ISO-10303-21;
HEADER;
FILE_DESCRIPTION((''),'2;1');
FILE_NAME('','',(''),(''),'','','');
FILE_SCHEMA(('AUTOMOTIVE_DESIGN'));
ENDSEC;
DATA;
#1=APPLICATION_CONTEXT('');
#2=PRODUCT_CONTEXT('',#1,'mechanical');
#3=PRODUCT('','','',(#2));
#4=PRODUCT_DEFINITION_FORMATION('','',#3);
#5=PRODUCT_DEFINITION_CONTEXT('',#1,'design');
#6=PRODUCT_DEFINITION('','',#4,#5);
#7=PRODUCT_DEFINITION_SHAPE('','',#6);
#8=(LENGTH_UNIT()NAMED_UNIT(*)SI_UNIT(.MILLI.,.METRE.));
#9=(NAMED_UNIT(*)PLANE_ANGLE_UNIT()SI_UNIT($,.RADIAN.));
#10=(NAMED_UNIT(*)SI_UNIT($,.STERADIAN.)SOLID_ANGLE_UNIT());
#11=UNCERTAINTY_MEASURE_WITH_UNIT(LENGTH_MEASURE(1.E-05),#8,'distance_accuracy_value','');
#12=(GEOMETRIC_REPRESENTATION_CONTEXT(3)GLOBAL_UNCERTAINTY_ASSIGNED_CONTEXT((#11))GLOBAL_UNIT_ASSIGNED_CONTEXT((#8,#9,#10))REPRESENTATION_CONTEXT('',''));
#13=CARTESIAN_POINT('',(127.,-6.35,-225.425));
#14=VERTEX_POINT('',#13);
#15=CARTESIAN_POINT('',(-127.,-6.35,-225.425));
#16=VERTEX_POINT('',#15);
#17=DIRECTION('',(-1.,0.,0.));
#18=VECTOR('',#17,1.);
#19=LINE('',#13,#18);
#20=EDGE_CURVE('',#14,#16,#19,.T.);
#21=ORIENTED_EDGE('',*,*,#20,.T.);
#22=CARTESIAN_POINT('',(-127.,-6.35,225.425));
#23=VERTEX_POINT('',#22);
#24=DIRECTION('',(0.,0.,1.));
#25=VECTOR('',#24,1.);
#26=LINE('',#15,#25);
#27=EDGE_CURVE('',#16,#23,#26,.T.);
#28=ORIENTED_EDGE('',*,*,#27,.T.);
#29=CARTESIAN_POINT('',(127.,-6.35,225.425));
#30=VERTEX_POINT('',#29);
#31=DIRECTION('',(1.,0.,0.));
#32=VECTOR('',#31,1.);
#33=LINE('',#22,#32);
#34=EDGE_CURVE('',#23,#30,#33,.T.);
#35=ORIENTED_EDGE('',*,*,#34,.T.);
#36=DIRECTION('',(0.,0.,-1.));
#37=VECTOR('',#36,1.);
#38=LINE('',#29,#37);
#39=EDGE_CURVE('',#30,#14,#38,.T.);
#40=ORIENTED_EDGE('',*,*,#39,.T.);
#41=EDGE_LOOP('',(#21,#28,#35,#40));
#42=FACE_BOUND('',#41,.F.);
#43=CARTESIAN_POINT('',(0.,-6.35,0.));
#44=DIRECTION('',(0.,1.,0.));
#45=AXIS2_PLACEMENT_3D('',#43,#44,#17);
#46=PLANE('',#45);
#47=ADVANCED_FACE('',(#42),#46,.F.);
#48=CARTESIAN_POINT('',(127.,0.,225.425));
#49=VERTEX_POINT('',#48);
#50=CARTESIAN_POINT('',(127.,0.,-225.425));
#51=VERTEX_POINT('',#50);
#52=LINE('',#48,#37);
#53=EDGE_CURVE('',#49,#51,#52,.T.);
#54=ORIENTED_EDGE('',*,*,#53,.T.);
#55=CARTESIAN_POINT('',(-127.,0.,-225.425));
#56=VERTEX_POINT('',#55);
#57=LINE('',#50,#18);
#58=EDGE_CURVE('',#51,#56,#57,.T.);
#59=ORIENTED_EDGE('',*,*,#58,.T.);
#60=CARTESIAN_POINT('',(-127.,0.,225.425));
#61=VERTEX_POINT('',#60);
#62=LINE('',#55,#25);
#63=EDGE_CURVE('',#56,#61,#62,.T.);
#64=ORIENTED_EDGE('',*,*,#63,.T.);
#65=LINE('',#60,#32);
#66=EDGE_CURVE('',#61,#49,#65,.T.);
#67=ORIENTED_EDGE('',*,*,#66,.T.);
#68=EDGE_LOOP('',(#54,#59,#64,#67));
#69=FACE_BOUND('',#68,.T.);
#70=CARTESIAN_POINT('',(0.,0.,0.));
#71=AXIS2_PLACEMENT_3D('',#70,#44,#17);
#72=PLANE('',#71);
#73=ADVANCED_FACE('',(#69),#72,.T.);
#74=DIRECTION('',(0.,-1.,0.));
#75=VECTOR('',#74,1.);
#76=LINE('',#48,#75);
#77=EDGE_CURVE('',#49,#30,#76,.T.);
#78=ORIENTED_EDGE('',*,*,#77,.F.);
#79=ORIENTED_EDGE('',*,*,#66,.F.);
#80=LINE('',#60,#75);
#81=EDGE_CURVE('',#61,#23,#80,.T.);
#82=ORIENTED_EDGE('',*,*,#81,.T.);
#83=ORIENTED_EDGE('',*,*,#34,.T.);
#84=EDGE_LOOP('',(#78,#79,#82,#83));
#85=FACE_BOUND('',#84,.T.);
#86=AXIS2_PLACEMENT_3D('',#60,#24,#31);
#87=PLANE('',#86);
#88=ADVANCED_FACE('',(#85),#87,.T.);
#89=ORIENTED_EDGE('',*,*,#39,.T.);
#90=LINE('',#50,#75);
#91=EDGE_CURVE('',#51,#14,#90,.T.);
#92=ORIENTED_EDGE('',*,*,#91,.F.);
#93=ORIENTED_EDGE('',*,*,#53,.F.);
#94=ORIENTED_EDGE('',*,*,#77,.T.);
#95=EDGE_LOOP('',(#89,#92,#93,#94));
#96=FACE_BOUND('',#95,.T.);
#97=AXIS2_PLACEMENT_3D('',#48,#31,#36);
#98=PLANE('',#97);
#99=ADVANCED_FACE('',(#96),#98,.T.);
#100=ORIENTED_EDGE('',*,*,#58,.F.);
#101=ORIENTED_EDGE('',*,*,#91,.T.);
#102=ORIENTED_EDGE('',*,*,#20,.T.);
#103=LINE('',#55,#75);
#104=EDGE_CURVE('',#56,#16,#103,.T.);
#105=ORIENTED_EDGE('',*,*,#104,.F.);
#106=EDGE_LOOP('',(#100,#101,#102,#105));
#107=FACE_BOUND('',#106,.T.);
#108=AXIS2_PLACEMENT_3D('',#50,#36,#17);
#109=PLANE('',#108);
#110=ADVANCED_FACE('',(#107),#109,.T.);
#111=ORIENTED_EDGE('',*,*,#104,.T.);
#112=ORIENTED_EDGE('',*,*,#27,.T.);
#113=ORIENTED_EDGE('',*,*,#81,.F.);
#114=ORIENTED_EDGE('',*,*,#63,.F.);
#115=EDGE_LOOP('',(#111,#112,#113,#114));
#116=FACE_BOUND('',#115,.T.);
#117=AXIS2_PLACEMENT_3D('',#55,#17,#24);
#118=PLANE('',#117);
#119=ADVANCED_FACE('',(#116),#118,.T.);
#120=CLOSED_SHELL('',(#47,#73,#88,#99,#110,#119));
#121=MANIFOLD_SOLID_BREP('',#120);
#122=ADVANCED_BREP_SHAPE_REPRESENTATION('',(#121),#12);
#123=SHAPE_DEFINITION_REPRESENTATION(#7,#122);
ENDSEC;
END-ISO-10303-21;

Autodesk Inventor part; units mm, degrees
ref_plane "YZ Plane" through (0, 0, 0) normal (1, 0, 0) x (0, 1, 0)
ref_plane "XZ Plane" through (0, 0, 0) normal (0, 1, 0) x (-1, 0, 0)
ref_plane "XY Plane" through (0, 0, 0) normal (0, 0, 1) x (1, 0, 0)
sketch "Sketch1" plane through (0, 0, 0) normal (0, 1, 0) x (-1, 0, 0)
  line L0 (127, 225.425) -> (-127, 225.425)
  line L1 (-127, 225.425) -> (-127, -225.425)
  line L2 (-127, -225.425) -> (127, -225.425)
  line L3 (127, -225.425) -> (127, 225.425)
  line L4 (127, 225.425) -> (-127, -225.425) construction
  line L5 (-127, 225.425) -> (127, -225.425) construction
  point P0 (0, 0)
  dimension "d0" = 254
  dimension "d1" = 450.85
extrude "Extrusion1" add sketch "Sketch1" against normal blind 6.35
equation "\"d0\" = pitchingMachineBaseLength"
equation "\"d1\" = pitchingMachineBaseWidth"
equation "\"d2\" = pitchingMachineBaseDepth"
equation "\"pitchingMachineBaseWidth\" = 450.85"
equation "\"pitchingMachineBaseLength\" = 254"
equation "\"pitchingMachineBaseDepth\" = 6.35"
properties part number "PitchingMachineBase" material "Aluminum 6061"
